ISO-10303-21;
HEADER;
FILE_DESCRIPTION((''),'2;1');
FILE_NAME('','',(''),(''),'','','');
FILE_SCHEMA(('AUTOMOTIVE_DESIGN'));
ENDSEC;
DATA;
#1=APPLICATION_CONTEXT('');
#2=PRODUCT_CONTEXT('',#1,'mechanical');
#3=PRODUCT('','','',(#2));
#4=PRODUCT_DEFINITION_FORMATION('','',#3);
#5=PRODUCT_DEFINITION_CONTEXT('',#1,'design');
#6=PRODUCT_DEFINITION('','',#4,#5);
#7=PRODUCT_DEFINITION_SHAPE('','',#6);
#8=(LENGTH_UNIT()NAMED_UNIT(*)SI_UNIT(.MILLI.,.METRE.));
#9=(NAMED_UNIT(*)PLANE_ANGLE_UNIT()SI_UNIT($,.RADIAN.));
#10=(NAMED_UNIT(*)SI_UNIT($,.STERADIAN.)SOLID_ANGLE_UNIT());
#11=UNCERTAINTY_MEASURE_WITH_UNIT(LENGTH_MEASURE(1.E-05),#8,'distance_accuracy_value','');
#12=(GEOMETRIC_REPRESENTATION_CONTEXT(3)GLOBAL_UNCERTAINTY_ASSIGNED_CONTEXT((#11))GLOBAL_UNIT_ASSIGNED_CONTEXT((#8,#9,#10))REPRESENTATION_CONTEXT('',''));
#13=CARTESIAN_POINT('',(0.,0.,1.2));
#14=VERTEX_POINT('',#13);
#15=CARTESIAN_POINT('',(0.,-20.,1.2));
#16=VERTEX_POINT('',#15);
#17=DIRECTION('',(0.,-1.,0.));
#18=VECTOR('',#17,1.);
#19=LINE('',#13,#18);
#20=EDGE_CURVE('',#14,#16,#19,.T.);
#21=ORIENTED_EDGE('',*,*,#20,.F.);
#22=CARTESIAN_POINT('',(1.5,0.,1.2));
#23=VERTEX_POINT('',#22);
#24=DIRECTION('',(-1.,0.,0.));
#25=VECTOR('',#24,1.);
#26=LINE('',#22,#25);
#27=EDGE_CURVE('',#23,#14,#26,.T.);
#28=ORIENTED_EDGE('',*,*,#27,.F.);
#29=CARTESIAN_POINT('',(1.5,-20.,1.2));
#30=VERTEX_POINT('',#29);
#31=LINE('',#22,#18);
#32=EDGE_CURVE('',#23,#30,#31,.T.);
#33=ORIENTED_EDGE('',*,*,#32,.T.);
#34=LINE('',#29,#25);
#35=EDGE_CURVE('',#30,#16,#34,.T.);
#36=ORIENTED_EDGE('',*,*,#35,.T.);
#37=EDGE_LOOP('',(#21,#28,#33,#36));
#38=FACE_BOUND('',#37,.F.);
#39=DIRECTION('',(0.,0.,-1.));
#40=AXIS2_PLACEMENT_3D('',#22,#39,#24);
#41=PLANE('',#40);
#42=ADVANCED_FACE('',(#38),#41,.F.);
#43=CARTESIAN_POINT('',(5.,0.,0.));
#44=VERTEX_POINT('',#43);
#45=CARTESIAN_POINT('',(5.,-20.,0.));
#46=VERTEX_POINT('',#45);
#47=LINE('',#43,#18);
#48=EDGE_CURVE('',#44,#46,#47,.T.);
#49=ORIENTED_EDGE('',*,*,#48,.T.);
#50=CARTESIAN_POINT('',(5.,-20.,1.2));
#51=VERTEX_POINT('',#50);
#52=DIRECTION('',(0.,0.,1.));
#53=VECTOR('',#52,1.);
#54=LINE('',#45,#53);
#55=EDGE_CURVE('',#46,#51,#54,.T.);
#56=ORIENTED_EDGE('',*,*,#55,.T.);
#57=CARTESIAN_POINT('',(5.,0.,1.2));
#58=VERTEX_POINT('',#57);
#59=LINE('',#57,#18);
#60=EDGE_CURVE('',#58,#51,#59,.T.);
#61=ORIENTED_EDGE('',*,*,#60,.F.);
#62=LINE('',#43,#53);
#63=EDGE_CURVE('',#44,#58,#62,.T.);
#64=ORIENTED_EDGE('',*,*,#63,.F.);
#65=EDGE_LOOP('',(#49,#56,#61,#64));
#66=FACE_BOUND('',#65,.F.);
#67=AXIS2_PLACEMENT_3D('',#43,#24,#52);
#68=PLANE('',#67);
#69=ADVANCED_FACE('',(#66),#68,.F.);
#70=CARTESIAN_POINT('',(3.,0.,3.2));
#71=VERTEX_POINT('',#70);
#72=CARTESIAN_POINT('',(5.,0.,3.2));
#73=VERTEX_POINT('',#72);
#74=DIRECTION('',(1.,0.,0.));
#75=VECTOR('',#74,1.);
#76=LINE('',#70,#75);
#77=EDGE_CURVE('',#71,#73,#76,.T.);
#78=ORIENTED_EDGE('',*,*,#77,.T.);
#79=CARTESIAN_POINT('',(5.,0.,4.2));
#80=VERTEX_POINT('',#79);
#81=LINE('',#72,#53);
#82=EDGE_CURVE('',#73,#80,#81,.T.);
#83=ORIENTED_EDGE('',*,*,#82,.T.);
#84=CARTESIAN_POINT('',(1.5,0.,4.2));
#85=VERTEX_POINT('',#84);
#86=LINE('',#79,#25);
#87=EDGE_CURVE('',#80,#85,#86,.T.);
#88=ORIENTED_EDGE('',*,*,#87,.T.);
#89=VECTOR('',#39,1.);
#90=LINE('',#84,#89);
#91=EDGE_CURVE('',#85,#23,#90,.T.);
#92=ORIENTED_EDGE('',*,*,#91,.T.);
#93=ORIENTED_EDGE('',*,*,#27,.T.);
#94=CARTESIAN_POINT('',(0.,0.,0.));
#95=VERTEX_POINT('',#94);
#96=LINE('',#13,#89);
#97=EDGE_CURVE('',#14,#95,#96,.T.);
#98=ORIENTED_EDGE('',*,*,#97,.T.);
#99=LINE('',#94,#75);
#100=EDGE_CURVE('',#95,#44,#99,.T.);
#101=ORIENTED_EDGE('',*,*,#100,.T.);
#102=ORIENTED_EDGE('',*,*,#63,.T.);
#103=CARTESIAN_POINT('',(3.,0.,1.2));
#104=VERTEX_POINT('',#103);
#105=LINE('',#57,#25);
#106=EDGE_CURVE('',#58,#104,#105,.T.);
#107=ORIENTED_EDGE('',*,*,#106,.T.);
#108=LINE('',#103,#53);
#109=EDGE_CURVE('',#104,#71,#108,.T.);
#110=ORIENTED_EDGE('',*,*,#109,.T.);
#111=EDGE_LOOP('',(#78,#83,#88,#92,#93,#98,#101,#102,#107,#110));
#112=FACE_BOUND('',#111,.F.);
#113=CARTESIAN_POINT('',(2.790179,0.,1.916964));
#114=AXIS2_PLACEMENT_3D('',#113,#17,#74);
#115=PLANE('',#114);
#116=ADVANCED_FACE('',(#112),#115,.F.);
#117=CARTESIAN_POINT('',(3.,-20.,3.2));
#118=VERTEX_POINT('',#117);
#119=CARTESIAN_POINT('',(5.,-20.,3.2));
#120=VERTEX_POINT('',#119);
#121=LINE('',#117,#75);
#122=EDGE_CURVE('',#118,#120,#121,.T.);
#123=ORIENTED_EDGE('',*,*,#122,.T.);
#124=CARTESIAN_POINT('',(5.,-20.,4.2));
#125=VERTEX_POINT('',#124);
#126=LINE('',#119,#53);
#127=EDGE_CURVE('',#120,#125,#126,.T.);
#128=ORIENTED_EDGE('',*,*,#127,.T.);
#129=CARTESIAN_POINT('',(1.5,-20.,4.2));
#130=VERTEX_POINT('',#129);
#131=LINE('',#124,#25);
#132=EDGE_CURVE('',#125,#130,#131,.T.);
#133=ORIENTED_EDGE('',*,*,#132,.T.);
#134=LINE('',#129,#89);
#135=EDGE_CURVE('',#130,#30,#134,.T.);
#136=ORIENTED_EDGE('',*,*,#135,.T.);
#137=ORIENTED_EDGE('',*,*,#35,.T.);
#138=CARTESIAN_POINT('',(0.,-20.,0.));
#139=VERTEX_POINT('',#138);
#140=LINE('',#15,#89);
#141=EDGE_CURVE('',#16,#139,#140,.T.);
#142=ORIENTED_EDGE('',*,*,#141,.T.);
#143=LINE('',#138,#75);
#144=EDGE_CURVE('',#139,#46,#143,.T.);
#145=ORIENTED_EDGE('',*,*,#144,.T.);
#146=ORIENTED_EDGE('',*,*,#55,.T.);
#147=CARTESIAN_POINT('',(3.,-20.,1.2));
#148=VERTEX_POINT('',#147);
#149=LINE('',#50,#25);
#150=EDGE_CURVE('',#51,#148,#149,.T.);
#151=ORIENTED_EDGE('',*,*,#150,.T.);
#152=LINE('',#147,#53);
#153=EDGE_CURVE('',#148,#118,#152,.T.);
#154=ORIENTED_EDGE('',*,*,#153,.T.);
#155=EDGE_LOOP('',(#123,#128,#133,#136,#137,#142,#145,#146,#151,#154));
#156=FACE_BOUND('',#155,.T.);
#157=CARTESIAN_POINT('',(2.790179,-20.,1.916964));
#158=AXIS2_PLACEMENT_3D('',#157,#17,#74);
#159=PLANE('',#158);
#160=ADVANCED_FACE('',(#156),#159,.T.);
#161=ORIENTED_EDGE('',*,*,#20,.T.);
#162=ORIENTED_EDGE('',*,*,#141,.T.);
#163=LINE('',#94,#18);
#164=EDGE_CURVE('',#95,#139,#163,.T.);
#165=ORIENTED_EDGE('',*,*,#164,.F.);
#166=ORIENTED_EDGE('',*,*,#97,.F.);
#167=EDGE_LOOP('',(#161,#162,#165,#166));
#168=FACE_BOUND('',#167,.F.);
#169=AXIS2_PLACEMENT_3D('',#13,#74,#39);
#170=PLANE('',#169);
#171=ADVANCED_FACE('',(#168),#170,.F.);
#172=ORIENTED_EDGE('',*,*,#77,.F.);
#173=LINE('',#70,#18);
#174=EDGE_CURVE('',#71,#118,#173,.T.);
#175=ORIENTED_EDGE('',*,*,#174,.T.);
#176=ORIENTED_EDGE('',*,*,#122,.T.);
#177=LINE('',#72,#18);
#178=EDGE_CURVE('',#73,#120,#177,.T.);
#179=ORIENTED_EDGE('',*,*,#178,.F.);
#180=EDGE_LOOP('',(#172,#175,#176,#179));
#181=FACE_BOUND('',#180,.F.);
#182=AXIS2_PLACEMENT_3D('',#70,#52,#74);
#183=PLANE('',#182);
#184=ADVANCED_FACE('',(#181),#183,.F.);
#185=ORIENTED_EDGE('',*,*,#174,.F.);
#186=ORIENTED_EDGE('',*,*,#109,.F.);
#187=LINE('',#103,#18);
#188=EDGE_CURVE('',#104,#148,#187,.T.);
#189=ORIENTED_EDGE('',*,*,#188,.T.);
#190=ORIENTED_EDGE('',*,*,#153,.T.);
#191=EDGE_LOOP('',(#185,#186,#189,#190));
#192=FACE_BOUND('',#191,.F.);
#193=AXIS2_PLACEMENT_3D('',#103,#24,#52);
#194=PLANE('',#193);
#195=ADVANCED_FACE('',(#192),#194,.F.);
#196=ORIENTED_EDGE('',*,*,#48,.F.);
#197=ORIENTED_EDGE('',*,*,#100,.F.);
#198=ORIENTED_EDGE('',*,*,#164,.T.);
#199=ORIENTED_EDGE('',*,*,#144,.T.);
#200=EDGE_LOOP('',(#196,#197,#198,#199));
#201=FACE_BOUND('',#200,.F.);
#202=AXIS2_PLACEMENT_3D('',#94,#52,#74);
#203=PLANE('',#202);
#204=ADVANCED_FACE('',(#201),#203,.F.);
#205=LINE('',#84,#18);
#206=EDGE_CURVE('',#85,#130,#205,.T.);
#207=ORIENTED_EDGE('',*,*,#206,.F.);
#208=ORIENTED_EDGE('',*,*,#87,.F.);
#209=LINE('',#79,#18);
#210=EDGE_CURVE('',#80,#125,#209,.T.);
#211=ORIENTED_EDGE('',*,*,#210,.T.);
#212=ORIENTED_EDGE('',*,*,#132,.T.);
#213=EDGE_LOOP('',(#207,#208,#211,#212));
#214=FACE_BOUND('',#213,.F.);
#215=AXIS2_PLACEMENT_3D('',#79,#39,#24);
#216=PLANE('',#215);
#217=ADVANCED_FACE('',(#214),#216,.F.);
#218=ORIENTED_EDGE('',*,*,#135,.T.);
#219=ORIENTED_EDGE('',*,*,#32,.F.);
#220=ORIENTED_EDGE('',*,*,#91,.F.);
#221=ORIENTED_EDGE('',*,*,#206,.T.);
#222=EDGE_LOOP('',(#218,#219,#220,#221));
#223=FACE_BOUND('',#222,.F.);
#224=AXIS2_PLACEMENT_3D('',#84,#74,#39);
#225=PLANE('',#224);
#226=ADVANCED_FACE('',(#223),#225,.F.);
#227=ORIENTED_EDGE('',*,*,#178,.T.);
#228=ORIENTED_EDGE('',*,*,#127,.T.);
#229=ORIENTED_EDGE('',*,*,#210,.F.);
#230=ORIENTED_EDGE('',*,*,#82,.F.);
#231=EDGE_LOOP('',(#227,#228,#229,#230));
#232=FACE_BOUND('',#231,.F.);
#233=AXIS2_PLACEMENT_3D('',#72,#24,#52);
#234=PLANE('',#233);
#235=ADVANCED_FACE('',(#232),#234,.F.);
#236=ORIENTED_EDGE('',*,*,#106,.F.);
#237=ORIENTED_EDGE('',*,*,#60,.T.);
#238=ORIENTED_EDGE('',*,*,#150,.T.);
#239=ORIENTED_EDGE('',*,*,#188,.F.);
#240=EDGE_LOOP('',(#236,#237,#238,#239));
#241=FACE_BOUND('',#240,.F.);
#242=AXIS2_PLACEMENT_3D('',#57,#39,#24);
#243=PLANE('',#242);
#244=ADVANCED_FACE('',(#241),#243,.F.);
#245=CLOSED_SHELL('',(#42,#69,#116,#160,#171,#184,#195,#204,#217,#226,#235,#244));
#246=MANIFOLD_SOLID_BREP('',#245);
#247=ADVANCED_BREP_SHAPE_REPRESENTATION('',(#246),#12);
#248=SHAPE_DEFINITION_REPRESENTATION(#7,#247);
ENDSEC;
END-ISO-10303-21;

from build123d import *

# Parameters (mm, degrees)
PAD_DEPTH = 20


with BuildPart() as part:
    # Sketch → Pad (new body)
    with BuildSketch(Plane.XZ):
        Polygon((0, 0), (5, 0), (5, 1.2), (3, 1.2), (3, 3.2), (5, 3.2), (5, 4.2), (1.5, 4.2), (1.5, 1.2), (0, 1.2), align=None)
    extrude(amount=PAD_DEPTH)


solid = part.part
